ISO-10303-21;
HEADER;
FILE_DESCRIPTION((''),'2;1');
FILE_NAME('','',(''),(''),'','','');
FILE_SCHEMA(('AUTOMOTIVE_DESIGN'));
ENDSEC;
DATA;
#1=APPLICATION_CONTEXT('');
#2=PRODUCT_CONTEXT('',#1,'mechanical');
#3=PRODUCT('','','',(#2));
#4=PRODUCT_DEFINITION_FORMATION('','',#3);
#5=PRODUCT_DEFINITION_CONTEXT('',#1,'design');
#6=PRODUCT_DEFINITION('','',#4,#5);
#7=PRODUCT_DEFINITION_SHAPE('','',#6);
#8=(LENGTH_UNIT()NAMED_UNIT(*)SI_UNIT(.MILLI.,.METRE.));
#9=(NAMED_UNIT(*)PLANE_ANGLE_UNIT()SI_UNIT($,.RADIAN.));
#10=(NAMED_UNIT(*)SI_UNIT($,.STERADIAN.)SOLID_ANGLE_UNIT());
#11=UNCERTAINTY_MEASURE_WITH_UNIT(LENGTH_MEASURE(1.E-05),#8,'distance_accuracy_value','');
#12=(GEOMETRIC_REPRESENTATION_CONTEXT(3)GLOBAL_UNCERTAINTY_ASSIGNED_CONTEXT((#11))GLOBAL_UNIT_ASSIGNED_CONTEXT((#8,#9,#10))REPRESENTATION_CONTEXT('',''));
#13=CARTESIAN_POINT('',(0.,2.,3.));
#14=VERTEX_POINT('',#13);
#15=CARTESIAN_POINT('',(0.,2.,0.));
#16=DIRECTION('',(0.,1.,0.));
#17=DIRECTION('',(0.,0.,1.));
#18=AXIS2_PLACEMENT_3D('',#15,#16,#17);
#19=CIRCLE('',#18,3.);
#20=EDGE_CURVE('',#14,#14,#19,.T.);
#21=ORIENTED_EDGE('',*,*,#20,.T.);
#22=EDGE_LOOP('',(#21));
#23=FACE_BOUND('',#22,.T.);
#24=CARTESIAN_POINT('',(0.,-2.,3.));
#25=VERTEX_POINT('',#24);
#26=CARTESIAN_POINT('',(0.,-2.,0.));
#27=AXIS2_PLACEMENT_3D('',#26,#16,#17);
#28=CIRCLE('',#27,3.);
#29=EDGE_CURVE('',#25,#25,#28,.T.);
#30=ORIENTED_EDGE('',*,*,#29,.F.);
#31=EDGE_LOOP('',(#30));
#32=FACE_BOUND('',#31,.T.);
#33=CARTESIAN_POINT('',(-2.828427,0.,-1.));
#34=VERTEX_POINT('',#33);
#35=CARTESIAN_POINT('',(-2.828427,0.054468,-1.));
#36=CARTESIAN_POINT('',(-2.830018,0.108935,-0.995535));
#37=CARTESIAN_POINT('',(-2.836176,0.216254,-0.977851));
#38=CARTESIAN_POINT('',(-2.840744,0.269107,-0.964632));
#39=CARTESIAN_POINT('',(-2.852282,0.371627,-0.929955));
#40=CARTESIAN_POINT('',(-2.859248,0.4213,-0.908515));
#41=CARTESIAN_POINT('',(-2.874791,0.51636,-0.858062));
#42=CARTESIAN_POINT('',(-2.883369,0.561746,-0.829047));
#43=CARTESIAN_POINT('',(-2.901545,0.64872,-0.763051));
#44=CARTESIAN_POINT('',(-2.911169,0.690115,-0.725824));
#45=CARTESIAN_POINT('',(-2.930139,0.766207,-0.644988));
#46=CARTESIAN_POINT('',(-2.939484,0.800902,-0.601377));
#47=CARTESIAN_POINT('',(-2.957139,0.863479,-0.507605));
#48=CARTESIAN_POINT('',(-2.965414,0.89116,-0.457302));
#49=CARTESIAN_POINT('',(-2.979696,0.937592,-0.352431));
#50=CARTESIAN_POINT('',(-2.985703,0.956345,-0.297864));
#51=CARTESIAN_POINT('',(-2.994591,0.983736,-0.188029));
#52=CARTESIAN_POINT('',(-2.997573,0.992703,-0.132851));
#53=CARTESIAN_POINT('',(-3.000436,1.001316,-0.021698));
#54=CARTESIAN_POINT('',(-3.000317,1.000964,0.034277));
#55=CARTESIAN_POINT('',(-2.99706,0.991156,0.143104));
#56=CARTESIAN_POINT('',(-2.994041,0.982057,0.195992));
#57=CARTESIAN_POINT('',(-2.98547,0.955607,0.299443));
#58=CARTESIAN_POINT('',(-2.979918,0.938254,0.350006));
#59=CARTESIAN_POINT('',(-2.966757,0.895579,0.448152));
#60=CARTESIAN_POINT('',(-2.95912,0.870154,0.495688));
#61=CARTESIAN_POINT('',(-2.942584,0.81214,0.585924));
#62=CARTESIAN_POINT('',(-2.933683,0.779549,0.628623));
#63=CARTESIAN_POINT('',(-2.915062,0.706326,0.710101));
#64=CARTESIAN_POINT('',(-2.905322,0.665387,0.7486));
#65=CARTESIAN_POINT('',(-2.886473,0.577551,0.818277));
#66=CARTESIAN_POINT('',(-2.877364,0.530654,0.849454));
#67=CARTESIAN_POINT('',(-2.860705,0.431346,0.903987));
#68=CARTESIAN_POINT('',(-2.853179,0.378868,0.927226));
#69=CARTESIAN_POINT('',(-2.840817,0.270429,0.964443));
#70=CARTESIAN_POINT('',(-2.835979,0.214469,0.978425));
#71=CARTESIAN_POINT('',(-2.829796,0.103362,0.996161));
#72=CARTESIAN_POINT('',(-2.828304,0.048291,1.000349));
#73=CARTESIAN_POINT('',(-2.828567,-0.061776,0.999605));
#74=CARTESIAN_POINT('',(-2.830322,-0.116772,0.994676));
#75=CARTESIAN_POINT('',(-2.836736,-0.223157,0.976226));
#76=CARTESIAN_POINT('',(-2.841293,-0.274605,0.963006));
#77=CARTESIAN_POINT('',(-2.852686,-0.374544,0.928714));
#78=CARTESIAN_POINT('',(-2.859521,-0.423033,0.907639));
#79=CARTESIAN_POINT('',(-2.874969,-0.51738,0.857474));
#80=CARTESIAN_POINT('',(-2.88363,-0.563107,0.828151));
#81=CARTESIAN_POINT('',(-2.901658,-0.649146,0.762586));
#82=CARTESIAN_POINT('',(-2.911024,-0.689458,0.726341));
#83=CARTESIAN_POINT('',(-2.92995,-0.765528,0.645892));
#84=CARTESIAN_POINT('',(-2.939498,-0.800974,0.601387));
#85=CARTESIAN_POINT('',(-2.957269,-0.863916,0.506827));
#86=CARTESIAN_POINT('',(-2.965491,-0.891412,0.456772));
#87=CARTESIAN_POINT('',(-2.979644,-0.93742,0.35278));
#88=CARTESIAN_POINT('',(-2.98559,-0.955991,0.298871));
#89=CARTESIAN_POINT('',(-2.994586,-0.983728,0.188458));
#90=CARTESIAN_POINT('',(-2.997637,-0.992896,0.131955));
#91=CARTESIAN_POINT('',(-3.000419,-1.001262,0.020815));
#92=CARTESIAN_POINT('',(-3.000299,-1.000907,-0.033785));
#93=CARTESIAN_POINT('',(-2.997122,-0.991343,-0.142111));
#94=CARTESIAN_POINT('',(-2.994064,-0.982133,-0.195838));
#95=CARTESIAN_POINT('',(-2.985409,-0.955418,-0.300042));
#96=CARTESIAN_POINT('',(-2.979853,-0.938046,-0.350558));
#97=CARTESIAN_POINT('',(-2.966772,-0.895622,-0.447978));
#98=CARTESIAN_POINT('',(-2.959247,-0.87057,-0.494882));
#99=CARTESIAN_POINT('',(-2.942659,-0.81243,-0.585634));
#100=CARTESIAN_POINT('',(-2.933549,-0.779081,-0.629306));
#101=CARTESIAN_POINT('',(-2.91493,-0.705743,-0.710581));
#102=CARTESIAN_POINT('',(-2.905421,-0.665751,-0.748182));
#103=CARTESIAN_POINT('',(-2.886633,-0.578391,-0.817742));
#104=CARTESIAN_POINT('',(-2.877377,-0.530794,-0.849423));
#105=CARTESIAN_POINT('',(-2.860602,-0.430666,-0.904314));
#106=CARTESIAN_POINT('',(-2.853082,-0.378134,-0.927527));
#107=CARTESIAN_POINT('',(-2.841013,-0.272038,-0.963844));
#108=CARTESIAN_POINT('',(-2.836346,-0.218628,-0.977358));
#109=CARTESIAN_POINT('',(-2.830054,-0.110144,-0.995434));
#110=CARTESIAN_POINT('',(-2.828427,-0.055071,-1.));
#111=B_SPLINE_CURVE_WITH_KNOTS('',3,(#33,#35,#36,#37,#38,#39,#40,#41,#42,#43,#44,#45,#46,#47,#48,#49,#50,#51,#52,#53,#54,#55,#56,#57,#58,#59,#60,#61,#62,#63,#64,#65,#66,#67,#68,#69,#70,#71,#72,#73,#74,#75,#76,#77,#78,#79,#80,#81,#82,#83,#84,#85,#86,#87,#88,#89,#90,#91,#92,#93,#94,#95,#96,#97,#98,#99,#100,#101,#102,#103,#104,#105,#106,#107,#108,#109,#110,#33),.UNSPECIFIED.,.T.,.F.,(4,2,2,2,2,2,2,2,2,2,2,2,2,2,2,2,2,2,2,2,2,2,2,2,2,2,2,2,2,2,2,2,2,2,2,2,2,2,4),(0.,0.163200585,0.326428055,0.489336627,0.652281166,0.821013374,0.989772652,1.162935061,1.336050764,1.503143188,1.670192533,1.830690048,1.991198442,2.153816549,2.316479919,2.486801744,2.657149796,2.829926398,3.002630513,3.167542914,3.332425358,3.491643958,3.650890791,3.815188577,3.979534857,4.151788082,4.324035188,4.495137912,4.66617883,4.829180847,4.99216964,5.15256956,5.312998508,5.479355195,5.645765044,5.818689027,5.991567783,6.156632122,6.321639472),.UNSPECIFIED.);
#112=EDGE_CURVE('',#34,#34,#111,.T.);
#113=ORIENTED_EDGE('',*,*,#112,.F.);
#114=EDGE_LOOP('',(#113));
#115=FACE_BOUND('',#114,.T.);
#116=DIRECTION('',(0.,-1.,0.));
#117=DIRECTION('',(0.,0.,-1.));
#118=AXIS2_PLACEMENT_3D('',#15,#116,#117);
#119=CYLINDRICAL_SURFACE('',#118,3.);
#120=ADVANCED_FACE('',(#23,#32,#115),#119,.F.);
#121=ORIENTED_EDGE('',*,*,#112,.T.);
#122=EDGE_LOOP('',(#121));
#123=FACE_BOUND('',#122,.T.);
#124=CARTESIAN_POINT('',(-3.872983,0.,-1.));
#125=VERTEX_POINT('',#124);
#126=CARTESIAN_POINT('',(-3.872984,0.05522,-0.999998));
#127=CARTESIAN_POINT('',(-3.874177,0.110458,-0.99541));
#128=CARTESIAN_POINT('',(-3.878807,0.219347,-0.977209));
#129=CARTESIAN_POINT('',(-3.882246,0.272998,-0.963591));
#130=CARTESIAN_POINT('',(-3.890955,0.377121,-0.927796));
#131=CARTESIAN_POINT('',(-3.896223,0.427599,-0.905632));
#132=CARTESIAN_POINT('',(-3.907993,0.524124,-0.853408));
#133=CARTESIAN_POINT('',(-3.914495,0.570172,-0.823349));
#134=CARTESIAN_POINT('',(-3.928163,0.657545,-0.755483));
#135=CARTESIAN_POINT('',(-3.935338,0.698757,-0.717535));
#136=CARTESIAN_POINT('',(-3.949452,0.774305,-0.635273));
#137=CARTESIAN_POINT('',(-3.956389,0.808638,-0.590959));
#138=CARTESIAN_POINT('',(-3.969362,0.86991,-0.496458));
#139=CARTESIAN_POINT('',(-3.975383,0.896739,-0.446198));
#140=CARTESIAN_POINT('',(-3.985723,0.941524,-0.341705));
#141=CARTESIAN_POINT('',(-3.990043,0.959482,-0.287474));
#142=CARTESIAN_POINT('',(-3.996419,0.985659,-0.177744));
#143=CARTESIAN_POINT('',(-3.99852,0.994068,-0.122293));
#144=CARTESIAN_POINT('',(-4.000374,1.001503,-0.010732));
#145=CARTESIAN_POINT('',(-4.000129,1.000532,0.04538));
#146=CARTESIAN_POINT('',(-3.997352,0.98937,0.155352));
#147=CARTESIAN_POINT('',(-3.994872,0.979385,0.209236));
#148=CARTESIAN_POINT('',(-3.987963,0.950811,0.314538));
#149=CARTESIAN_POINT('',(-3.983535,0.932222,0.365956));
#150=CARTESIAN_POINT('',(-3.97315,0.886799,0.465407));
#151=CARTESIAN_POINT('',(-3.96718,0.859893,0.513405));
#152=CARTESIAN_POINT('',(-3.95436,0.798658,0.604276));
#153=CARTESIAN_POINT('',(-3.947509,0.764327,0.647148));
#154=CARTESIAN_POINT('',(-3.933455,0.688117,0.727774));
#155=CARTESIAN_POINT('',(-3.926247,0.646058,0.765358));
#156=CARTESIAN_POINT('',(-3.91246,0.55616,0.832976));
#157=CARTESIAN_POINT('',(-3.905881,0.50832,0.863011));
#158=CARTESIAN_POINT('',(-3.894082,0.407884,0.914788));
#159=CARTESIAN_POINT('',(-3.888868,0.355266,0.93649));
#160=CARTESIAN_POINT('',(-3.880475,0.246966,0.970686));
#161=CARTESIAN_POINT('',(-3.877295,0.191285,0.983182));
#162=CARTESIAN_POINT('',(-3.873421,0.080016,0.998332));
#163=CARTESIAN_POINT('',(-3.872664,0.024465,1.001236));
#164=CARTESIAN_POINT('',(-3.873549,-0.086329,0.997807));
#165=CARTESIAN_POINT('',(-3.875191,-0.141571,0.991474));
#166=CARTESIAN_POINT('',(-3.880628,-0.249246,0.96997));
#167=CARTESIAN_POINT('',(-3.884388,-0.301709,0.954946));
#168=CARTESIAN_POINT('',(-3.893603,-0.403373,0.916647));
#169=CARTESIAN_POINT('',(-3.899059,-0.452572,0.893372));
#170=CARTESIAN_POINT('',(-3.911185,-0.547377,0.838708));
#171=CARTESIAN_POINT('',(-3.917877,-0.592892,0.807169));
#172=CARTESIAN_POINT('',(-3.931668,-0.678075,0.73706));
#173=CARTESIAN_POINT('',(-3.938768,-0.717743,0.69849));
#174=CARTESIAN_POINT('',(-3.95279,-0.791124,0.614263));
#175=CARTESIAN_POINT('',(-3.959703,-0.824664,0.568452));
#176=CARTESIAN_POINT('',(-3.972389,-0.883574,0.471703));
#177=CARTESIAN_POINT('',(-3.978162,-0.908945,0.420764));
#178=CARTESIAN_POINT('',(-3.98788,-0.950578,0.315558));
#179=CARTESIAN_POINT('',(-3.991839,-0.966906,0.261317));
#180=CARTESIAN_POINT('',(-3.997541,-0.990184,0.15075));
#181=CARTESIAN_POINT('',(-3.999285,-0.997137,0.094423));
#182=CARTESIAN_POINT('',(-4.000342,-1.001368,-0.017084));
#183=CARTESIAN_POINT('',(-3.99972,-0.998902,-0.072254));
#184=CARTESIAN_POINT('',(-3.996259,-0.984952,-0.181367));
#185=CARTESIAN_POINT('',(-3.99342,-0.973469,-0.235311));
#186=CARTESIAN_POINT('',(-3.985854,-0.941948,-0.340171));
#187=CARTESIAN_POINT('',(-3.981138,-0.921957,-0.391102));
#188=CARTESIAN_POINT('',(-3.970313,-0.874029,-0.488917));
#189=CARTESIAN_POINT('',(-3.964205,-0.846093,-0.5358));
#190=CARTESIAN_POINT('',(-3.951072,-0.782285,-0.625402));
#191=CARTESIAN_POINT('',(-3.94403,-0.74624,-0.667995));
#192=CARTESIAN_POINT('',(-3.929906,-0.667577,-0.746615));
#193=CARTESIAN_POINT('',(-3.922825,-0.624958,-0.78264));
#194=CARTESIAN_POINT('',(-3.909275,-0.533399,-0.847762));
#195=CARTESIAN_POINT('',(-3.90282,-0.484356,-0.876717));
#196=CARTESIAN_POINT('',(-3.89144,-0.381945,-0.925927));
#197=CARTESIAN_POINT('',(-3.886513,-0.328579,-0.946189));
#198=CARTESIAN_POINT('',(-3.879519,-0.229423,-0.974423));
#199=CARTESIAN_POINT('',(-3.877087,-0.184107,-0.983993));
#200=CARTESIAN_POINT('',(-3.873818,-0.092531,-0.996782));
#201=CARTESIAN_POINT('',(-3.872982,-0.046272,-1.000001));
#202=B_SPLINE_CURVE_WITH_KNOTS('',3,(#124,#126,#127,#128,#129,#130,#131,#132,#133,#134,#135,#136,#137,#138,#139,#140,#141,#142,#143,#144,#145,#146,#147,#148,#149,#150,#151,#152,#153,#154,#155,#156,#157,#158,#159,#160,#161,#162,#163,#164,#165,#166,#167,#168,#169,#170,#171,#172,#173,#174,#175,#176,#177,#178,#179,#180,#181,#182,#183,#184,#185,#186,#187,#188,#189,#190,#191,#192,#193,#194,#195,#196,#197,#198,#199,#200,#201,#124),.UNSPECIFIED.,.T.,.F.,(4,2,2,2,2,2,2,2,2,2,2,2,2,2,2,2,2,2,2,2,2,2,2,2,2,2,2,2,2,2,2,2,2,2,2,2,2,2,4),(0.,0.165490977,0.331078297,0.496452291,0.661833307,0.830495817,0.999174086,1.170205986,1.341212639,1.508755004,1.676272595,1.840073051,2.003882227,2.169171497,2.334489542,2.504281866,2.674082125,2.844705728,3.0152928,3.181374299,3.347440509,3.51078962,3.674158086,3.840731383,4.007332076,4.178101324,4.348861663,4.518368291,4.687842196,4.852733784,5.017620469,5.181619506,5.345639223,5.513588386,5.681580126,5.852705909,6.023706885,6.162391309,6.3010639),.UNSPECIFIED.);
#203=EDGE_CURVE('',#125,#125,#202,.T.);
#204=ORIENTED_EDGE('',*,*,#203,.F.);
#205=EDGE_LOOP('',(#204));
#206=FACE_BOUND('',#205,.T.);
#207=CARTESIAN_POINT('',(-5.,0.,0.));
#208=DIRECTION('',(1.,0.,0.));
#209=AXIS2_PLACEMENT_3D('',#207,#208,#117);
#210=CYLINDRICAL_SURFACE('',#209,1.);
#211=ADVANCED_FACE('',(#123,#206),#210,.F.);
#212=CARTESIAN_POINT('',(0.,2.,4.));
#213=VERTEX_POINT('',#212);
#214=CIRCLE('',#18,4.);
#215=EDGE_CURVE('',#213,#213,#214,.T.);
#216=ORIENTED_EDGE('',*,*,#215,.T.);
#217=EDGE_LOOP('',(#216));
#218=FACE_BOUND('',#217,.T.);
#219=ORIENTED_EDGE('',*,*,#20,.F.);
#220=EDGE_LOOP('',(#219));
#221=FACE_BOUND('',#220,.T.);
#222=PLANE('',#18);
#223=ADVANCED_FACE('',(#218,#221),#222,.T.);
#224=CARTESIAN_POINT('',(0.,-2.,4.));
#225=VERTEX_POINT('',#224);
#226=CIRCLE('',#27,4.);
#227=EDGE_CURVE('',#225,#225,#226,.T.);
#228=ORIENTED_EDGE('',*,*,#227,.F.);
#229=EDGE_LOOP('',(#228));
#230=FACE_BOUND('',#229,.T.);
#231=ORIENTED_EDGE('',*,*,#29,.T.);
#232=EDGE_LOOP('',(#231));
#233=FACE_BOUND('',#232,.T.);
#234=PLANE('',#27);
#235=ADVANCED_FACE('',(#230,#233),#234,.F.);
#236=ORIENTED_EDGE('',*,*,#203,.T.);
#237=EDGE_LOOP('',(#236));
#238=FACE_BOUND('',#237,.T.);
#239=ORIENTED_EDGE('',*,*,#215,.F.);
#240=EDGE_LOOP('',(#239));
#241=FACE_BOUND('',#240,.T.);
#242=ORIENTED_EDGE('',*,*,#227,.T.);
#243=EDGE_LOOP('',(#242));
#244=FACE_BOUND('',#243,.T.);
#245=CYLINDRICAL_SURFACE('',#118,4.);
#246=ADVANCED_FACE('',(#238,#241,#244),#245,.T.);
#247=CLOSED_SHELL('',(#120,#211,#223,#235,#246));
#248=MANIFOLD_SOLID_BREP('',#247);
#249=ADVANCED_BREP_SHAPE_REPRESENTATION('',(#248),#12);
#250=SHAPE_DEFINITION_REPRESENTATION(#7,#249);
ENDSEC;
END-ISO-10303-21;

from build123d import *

# Parameters (mm, degrees)
SKETCH1_R           = 4
SKETCH1_R_2         = 3
BOSS_EXTRUDE1_DEPTH = 2
SKETCH2_R           = 1
CUT_EXTRUDE1_DEPTH  = 5


with BuildPart() as part:
    # Sketch1 → Boss-Extrude1 (new, symmetric)
    with BuildSketch(Plane(origin=(0, 0, 0), x_dir=(1, 0, 0), z_dir=(0, 1, 0))):
        with Locations(Location((0, 0, 0), (0, 0, 270))):
            Circle(SKETCH1_R)
        with Locations(Location((0, 0, 0), (0, 0, 270))):
            Circle(SKETCH1_R_2, mode=Mode.SUBTRACT)
    extrude(amount=BOSS_EXTRUDE1_DEPTH, both=True)

    # Sketch2 → Cut-Extrude1 (cut)
    with BuildSketch(Plane(origin=(0, 0, 0), x_dir=(0, 0, -1), z_dir=(1, 0, 0))):
        Circle(SKETCH2_R)
    extrude(amount=-CUT_EXTRUDE1_DEPTH, mode=Mode.SUBTRACT)


solid = part.part
